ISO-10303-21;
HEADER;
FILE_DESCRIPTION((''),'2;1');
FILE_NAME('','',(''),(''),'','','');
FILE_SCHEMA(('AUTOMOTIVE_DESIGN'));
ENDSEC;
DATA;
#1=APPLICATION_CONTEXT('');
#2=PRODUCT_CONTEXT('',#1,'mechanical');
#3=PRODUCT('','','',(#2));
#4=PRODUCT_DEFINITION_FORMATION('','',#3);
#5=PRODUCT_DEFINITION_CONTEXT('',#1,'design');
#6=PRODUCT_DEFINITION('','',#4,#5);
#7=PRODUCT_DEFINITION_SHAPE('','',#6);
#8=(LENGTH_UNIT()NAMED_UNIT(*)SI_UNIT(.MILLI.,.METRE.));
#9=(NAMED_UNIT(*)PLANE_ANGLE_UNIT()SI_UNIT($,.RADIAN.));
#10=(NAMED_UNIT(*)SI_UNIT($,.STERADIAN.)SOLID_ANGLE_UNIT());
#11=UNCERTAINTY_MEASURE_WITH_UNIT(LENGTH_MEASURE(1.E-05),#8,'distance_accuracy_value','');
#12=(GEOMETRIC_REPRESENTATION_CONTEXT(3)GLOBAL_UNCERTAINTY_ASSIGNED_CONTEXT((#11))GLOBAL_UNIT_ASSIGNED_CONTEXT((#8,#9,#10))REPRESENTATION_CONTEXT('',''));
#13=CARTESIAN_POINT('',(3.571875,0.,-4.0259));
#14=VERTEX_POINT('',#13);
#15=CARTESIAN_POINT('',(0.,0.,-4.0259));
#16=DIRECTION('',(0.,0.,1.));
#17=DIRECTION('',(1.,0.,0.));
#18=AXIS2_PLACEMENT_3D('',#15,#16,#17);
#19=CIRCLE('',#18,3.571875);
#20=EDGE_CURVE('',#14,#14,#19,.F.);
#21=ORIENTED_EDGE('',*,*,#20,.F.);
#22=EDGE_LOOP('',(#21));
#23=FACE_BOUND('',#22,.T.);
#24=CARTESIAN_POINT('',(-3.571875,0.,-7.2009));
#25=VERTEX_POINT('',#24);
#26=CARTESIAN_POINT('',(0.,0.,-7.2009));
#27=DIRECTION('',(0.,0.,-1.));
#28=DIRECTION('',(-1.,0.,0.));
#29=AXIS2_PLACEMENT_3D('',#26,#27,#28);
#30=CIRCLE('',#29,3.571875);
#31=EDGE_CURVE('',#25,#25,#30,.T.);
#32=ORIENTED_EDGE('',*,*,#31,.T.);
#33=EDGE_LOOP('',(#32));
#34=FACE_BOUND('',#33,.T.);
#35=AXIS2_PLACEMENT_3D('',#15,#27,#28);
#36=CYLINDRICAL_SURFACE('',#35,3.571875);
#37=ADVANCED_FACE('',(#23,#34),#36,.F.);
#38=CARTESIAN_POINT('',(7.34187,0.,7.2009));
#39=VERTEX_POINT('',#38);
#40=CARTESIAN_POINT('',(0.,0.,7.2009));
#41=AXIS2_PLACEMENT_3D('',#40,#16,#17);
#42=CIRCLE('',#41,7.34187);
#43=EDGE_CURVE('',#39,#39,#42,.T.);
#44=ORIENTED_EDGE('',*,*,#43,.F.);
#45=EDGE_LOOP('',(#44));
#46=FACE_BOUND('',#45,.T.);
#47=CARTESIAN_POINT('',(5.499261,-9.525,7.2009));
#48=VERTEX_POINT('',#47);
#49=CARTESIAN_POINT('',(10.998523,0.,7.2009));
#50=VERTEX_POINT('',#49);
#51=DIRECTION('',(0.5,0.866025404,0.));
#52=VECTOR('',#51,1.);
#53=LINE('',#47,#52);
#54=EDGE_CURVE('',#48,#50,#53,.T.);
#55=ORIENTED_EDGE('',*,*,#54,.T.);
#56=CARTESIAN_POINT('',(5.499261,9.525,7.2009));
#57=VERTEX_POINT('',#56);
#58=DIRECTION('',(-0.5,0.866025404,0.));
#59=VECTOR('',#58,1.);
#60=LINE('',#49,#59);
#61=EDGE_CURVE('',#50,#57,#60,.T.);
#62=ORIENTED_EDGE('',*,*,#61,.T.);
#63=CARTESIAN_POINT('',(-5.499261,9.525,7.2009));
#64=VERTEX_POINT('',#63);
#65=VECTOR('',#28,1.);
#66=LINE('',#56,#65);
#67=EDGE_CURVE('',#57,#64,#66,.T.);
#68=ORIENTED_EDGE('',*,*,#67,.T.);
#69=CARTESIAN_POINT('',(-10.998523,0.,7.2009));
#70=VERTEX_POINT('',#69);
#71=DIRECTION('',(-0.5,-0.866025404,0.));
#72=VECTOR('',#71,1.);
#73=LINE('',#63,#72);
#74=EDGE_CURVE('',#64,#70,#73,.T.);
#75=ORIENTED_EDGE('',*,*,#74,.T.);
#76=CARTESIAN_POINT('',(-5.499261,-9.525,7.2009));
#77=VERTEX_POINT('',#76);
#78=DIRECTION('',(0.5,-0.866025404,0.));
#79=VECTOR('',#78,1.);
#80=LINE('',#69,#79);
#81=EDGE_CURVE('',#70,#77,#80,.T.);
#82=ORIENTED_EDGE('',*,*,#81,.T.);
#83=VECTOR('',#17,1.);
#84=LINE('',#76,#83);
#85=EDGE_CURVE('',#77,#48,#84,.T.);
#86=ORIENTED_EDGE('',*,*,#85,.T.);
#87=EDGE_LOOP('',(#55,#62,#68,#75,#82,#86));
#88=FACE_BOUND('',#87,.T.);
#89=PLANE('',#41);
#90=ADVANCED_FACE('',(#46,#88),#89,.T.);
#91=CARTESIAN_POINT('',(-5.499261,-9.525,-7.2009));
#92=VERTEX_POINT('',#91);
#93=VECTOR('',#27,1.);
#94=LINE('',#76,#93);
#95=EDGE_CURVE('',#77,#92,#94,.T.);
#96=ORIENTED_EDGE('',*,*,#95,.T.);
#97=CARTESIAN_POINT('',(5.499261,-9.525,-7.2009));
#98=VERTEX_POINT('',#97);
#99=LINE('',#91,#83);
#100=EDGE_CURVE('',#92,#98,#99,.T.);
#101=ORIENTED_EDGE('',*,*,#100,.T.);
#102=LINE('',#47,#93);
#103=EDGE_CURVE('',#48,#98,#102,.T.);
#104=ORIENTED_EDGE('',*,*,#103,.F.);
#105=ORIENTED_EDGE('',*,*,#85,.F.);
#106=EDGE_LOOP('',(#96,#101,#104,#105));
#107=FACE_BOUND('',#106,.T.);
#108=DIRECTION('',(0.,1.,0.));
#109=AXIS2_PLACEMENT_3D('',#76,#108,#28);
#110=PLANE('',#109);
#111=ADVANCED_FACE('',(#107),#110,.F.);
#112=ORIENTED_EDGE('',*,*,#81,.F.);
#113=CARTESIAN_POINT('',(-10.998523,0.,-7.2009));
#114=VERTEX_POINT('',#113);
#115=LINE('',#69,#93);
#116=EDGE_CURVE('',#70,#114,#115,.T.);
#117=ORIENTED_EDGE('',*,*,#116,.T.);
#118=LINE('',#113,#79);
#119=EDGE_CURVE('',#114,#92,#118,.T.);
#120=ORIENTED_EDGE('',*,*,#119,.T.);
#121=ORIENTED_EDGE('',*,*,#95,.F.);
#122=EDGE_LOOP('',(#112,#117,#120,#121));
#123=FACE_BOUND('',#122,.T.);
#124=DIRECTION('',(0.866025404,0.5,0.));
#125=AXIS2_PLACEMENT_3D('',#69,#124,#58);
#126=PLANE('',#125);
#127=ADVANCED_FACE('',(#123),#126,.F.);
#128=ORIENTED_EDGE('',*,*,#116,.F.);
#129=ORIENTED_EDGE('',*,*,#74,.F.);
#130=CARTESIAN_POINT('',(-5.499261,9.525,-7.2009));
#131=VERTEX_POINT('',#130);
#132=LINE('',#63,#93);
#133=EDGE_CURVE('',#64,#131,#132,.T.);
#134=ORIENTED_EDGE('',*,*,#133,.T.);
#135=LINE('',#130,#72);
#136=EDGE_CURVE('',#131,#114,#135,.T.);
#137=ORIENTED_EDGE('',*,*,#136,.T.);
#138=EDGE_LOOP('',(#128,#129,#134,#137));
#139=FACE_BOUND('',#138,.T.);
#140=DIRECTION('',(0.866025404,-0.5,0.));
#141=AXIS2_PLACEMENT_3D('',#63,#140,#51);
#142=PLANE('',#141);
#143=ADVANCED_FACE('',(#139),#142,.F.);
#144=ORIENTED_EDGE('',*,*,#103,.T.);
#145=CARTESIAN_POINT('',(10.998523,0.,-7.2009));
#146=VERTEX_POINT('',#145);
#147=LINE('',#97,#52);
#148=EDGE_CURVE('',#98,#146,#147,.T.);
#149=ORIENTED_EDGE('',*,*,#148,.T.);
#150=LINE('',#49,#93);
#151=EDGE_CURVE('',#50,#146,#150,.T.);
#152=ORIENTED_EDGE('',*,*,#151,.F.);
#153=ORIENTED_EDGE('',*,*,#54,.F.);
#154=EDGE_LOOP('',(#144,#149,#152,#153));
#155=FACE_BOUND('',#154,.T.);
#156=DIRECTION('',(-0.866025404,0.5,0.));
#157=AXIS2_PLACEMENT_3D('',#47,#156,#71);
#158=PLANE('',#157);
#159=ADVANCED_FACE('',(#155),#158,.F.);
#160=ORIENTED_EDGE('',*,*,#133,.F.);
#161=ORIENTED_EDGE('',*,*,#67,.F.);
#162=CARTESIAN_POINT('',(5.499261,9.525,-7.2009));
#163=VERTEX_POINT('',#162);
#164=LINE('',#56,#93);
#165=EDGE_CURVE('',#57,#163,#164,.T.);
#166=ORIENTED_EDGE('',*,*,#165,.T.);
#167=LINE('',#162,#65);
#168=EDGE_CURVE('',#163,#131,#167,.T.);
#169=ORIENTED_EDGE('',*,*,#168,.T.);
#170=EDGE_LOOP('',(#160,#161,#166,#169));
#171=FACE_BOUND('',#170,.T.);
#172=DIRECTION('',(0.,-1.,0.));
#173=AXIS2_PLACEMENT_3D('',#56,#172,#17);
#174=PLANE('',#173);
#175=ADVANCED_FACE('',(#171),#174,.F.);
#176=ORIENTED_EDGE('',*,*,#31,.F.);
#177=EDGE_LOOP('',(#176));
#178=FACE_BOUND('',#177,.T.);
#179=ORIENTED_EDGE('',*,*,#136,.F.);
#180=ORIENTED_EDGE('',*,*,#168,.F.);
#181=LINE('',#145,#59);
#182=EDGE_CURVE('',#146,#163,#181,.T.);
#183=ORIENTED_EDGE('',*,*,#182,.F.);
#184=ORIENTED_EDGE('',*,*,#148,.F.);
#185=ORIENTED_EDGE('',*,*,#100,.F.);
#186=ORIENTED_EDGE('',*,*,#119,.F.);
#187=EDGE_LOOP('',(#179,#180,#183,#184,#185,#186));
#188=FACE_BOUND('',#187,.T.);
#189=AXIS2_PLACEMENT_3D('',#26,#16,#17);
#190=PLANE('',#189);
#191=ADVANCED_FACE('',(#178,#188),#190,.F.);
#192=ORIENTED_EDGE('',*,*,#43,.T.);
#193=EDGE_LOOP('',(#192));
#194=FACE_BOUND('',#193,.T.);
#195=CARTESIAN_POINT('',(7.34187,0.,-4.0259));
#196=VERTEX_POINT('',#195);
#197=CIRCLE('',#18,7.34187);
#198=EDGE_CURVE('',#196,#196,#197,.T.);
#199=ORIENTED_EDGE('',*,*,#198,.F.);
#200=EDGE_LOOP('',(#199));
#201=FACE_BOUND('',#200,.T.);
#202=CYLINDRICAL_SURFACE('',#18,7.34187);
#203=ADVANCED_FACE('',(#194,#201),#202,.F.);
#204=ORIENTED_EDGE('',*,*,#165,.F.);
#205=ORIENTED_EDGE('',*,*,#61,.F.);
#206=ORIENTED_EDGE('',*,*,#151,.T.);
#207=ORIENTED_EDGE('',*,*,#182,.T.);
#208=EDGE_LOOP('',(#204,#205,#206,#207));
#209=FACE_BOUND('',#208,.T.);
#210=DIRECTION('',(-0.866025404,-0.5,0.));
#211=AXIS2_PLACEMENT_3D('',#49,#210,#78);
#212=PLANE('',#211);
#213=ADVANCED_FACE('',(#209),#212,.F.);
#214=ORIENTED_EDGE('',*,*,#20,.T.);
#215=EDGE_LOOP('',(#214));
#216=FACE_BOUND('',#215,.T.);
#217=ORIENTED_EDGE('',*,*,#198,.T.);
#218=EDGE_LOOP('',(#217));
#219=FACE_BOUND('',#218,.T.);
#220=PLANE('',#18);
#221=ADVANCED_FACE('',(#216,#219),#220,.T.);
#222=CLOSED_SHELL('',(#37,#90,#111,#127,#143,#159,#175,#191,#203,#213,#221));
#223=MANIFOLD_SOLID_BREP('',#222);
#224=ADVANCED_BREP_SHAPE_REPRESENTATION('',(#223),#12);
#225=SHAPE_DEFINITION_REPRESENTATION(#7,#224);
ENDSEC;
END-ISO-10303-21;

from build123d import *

# Parameters (mm, degrees)
BOSS_EXTRUDE1_DEPTH = 7.2009
SKETCH12_R          = 3.571875
CUT_EXTRUDE2_DEPTH  = 3.175
SKETCH11_R          = 7.34187
CUT_EXTRUDE3_DEPTH  = 11.2268


with BuildPart() as part:
    # Sketch1 → Boss-Extrude1 (new, symmetric)
    with BuildSketch(Plane.XY):
        Polygon((10.998522628, 0), (5.499261314, 9.525), (-5.499261314, 9.525), (-10.998522628, 0), (-5.499261314, -9.525), (5.499261314, -9.525), align=None)
    extrude(amount=BOSS_EXTRUDE1_DEPTH, both=True)

    # Sketch12 → Cut-Extrude2 (cut)
    with BuildSketch(Plane(origin=(0, 0, -7.2009), x_dir=(-1, 0, 0), z_dir=(0, 0, -1))):
        Circle(SKETCH12_R)
    extrude(amount=-CUT_EXTRUDE2_DEPTH, mode=Mode.SUBTRACT)

    # Sketch11 → Cut-Extrude3 (cut)
    with BuildSketch(Plane.XY.offset(7.2009)):
        Circle(SKETCH11_R)
    extrude(amount=-CUT_EXTRUDE3_DEPTH, mode=Mode.SUBTRACT)


solid = part.part
